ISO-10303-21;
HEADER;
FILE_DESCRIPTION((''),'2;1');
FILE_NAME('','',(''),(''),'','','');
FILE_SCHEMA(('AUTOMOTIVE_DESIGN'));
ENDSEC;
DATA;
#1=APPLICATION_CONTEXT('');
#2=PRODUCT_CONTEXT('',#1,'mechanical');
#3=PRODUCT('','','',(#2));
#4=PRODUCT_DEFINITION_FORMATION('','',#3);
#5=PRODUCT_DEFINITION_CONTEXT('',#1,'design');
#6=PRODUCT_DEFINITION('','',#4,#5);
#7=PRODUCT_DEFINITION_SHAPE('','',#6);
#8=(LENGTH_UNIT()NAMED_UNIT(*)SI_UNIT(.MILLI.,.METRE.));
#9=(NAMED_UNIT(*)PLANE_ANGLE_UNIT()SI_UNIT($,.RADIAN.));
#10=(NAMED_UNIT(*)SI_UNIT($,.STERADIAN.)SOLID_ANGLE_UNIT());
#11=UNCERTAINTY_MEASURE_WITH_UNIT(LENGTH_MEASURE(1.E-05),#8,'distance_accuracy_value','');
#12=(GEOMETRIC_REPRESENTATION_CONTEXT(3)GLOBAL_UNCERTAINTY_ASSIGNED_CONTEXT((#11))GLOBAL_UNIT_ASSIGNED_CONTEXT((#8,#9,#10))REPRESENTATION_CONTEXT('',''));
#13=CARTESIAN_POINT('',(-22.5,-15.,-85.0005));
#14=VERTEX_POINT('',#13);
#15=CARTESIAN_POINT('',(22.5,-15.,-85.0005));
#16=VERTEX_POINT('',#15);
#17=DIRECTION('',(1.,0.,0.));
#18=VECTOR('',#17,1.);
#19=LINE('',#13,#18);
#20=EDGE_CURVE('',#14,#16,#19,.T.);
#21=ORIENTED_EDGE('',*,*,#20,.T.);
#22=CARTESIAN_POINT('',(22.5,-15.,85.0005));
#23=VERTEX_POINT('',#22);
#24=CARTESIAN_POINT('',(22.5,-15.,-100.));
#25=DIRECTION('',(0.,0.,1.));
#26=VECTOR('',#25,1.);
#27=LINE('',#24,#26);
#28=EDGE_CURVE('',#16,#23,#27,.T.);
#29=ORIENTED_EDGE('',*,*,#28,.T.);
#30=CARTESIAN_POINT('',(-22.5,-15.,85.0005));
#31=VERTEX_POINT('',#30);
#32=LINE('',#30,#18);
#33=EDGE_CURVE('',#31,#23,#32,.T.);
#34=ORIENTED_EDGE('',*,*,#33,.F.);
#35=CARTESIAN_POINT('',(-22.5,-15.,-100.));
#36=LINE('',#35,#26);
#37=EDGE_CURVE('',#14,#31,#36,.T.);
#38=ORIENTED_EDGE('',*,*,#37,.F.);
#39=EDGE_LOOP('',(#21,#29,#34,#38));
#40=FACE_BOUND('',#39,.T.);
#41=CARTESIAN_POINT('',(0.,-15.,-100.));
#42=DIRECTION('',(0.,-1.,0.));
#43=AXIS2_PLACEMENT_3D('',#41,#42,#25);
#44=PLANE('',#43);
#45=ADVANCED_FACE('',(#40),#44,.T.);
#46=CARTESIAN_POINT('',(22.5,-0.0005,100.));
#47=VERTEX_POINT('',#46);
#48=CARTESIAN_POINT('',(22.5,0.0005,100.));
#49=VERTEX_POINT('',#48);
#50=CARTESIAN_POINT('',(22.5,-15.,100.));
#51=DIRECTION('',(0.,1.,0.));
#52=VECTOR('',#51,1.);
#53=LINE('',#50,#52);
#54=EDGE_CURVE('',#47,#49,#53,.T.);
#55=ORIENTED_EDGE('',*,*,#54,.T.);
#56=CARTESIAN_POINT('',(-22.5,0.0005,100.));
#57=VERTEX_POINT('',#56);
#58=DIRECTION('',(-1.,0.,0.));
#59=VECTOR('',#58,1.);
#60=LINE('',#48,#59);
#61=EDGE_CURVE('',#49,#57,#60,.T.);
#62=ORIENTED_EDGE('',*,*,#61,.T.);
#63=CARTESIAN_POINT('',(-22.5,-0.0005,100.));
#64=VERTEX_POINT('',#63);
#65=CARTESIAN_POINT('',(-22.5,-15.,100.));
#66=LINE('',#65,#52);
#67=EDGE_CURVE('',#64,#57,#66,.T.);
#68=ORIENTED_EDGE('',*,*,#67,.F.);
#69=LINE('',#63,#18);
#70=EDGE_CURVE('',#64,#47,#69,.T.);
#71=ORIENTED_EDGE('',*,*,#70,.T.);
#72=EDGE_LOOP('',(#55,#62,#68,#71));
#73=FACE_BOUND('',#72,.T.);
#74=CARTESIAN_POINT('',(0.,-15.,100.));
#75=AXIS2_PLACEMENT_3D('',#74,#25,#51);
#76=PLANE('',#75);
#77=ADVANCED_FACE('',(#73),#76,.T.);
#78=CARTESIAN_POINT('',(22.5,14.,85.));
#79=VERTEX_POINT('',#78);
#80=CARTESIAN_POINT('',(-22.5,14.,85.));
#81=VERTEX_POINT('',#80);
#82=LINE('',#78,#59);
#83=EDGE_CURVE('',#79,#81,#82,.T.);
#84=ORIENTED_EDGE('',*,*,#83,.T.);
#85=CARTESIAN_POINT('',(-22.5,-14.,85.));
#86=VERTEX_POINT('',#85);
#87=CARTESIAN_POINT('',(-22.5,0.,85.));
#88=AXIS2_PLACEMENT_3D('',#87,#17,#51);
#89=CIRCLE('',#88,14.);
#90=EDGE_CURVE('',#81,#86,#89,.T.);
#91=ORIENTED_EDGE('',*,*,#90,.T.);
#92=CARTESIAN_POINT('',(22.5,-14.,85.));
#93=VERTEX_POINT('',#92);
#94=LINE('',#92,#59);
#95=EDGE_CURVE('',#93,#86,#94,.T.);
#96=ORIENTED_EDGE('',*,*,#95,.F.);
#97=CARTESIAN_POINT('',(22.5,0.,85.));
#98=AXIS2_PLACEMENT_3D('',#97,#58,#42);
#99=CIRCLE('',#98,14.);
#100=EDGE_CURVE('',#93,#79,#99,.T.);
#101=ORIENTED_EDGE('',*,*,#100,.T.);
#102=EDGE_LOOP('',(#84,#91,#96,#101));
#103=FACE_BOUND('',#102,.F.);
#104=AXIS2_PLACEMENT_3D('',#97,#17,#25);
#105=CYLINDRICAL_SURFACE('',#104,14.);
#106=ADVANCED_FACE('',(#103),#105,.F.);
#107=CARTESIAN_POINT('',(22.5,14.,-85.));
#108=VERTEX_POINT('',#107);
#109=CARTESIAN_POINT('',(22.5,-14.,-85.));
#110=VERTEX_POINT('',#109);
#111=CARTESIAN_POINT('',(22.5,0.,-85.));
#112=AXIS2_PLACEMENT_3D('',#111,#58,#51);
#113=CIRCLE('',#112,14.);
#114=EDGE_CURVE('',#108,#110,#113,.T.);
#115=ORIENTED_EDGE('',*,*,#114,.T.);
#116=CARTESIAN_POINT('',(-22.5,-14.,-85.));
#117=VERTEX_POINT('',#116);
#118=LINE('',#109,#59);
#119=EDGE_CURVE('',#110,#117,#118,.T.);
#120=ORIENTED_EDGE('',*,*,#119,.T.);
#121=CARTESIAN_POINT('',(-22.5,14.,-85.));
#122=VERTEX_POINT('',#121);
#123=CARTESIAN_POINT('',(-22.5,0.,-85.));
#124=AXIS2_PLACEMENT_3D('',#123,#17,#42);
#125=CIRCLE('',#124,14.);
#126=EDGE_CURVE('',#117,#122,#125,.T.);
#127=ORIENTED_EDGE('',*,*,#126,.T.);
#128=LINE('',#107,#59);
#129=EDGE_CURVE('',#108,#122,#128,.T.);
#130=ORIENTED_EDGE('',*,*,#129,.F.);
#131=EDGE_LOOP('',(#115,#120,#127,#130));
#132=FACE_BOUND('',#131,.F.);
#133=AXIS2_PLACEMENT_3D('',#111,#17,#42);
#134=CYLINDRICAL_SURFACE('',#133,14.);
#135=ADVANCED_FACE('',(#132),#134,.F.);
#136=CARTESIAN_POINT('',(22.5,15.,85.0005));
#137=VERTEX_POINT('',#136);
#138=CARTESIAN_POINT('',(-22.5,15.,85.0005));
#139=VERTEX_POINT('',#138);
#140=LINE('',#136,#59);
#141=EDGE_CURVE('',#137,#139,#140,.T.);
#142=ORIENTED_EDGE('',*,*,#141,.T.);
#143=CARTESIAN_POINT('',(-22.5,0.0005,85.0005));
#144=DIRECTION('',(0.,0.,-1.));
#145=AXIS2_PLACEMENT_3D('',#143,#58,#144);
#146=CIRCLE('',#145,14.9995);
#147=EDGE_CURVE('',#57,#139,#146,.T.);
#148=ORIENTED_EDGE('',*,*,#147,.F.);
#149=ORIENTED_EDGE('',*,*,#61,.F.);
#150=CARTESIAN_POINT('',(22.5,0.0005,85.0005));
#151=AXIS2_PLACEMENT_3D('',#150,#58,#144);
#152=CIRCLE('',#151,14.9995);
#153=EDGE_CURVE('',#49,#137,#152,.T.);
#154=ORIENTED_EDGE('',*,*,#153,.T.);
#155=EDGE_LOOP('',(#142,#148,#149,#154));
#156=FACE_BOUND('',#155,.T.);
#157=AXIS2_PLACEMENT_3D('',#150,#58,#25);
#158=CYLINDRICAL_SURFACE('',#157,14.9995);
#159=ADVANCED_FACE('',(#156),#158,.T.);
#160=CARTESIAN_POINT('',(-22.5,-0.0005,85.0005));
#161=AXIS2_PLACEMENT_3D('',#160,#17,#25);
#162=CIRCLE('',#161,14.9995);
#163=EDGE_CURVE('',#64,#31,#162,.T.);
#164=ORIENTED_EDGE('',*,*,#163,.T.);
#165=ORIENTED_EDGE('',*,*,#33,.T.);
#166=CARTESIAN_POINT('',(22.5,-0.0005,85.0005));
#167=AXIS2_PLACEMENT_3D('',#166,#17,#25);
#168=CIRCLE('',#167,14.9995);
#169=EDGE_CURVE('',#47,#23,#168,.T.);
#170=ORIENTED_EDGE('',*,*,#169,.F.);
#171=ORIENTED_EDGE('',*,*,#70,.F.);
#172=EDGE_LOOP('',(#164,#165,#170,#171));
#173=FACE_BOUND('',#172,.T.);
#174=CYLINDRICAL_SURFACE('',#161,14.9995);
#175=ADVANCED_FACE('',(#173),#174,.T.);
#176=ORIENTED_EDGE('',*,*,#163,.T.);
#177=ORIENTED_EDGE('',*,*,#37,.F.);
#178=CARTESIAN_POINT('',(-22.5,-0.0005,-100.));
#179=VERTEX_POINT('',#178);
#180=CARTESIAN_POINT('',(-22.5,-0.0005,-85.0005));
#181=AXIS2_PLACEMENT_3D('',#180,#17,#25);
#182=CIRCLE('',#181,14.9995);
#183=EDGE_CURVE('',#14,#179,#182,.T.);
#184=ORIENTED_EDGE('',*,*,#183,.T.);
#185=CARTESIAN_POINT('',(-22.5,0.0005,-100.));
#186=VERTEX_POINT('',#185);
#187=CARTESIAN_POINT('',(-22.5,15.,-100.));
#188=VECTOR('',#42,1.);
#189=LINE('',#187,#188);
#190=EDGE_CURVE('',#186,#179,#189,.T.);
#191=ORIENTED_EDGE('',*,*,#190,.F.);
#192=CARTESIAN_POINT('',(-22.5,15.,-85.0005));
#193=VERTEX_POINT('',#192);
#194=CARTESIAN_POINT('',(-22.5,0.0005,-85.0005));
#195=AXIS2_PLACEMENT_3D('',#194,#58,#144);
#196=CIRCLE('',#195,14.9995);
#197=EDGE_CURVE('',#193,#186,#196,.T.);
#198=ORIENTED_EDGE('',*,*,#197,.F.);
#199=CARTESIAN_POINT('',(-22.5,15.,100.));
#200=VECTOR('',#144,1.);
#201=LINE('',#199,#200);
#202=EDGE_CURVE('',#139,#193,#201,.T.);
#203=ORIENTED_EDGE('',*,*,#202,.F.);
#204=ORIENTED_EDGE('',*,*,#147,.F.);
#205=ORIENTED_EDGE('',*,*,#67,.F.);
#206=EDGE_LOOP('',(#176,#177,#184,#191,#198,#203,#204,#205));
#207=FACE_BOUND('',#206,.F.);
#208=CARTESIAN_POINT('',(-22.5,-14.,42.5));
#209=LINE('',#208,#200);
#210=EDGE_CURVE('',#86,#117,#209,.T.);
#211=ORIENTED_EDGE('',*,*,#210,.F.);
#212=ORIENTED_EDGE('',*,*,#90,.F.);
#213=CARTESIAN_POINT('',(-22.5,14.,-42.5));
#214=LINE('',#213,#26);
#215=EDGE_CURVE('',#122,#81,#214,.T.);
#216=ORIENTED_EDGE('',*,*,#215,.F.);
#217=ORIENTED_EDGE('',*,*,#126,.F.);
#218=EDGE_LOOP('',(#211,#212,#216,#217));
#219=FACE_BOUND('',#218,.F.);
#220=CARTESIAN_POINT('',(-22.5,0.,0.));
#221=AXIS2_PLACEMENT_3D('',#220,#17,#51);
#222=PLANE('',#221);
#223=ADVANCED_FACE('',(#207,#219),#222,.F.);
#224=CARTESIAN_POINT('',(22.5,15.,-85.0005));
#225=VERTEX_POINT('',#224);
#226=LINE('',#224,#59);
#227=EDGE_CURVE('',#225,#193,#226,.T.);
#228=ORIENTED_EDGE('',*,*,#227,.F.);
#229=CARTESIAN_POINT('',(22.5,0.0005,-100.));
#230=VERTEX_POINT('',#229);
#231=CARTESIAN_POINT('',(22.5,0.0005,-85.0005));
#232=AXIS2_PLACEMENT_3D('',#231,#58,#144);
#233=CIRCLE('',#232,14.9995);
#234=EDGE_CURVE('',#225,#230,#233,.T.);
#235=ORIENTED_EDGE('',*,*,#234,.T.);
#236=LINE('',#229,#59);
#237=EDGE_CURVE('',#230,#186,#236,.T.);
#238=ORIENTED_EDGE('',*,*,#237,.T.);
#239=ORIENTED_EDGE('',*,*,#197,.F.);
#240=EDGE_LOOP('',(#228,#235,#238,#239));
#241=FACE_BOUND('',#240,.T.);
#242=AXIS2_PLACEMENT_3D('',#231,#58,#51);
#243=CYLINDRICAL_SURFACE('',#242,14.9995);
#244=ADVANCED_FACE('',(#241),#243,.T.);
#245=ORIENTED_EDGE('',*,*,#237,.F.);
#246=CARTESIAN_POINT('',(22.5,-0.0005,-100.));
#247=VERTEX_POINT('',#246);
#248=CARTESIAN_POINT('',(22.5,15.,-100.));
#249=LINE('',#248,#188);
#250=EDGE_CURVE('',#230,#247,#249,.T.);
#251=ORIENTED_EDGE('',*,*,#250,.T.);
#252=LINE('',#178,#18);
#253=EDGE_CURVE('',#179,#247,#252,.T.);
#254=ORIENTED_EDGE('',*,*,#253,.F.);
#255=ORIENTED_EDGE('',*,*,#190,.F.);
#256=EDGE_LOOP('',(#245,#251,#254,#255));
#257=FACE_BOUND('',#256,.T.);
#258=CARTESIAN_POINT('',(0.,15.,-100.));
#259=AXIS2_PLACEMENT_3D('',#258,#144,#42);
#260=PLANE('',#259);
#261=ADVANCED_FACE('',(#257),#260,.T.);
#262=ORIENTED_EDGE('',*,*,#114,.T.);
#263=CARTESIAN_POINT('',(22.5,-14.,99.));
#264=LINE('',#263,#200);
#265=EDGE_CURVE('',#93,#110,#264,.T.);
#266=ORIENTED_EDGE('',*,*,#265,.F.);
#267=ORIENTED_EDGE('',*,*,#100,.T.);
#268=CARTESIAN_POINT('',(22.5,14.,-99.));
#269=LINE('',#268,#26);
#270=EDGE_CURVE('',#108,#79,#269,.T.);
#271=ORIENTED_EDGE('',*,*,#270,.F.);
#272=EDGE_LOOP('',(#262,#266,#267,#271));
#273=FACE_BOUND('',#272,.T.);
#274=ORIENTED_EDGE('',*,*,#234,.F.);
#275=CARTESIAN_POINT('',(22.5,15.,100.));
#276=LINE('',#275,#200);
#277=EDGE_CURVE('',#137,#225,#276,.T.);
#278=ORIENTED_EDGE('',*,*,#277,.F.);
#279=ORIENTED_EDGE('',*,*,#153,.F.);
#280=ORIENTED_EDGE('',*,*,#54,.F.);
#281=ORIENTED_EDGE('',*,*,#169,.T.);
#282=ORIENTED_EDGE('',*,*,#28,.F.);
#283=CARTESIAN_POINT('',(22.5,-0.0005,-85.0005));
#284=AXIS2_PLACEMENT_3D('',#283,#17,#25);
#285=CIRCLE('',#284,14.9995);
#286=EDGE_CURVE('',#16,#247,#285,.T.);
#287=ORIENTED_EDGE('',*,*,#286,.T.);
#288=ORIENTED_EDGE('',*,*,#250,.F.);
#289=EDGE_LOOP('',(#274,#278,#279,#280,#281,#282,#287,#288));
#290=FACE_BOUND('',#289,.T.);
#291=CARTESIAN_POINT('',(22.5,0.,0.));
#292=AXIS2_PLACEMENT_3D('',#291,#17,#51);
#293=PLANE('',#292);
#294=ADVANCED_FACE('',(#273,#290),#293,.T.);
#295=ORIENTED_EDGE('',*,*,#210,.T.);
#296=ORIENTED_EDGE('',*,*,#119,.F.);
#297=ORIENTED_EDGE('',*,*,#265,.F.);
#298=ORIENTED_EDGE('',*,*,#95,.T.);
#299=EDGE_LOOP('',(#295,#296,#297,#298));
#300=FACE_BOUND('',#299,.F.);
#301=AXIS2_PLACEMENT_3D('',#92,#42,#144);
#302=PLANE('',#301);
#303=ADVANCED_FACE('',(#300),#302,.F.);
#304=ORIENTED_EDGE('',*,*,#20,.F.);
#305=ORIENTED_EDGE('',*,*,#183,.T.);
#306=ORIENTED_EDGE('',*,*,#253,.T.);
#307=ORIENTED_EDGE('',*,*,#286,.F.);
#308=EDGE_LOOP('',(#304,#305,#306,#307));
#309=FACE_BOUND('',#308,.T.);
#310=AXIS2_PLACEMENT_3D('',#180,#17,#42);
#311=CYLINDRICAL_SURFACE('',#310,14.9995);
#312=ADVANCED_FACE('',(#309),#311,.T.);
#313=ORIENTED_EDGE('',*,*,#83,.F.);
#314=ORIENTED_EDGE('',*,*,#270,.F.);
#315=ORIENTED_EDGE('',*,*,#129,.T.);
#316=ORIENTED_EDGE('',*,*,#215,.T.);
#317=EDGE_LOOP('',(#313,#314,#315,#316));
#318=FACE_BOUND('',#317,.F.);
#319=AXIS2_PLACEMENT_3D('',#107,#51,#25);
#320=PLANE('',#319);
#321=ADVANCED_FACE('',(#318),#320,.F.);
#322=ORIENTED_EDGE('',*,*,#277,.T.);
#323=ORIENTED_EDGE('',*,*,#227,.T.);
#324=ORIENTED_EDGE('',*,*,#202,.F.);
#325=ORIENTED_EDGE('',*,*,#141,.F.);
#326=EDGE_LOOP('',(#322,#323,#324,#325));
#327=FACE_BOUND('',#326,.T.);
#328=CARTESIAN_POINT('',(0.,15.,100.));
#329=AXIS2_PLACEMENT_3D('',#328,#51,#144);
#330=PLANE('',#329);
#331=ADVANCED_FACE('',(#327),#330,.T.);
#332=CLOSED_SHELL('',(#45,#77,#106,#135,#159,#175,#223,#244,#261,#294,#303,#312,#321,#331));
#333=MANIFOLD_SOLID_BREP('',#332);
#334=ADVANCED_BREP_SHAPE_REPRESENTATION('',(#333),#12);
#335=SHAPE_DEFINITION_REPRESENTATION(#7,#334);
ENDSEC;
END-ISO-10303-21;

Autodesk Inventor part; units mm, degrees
ref_plane "YZ Plane" through (0, 0, 0) normal (1, 0, 0) x (0, 1, 0)
ref_plane "XZ Plane" through (0, 0, 0) normal (0, 1, 0) x (-1, 0, 0)
ref_plane "XY Plane" through (0, 0, 0) normal (0, 0, 1) x (1, 0, 0)
sketch "Эскиз1" plane through (0, 0, 0) normal (1, 0, 0) x (0, 1, 0)
  line L0 (-15, 100) -> (15, 100)
  line L1 (15, 100) -> (15, -100)
  line L2 (15, -100) -> (-15, -100)
  line L3 (-15, -100) -> (-15, 100)
  line L4 (-21, 0) -> (21, 0) construction
  line L5 (0, -140) -> (0, 140) construction
  point P0 (0, 0)
  dimension "d0" = 200
  dimension "d1" = 30
extrude "Выдавливание2" add sketch "Эскиз1" along normal mid plane 45
fillet "Сопряжение1" radius 15 4 edges at (0, 15, 100) (0, -15, 100) (0, 15, -100) (0, -15, -100)
sketch "Эскиз2" plane through (22.5, 0, 0) normal (1, 0, 0) x (0, 0, -1)
  arc A0 (85, -15) -> (85, 15) centre (85, 0) ccw construction
  line L0 (85, 15) -> (-85, 15) construction
  arc A1 (-85, 15) -> (-85, -15) centre (-85, 0) ccw construction
  line L1 (-85, -15) -> (85, -15) construction
  line L2 (-99, -14) -> (99, -14)
  line L3 (99, -14) -> (99, 14)
  line L4 (99, 14) -> (-99, 14)
  line L5 (-99, 14) -> (-99, -14)
  arc A2 (-85, 14) -> (-99, 0) centre (-85, 0) ccw
  arc A3 (-85, 15) -> (-85, -15) centre (-85, 0) ccw projected
  arc A4 (-99, 0) -> (-85, -14) centre (-85, 0) ccw
  arc A5 (99, 0) -> (85, 14) centre (85, 0) ccw
  arc A6 (85, -15) -> (85, 15) centre (85, 0) ccw projected
  arc A7 (85, -14) -> (99, 0) centre (85, 0) ccw
  point P0 (0, 0)
  dimension "d11" = 198
  dimension "d12" = 28
  dimension "d13" = 1
  dimension "d14" = 1
extrude "Выдавливание3" cut sketch "Эскиз2" against normal blind 59 contours A4 A2 L4 A5 A7 L2
properties part number "Лента конвейера"
